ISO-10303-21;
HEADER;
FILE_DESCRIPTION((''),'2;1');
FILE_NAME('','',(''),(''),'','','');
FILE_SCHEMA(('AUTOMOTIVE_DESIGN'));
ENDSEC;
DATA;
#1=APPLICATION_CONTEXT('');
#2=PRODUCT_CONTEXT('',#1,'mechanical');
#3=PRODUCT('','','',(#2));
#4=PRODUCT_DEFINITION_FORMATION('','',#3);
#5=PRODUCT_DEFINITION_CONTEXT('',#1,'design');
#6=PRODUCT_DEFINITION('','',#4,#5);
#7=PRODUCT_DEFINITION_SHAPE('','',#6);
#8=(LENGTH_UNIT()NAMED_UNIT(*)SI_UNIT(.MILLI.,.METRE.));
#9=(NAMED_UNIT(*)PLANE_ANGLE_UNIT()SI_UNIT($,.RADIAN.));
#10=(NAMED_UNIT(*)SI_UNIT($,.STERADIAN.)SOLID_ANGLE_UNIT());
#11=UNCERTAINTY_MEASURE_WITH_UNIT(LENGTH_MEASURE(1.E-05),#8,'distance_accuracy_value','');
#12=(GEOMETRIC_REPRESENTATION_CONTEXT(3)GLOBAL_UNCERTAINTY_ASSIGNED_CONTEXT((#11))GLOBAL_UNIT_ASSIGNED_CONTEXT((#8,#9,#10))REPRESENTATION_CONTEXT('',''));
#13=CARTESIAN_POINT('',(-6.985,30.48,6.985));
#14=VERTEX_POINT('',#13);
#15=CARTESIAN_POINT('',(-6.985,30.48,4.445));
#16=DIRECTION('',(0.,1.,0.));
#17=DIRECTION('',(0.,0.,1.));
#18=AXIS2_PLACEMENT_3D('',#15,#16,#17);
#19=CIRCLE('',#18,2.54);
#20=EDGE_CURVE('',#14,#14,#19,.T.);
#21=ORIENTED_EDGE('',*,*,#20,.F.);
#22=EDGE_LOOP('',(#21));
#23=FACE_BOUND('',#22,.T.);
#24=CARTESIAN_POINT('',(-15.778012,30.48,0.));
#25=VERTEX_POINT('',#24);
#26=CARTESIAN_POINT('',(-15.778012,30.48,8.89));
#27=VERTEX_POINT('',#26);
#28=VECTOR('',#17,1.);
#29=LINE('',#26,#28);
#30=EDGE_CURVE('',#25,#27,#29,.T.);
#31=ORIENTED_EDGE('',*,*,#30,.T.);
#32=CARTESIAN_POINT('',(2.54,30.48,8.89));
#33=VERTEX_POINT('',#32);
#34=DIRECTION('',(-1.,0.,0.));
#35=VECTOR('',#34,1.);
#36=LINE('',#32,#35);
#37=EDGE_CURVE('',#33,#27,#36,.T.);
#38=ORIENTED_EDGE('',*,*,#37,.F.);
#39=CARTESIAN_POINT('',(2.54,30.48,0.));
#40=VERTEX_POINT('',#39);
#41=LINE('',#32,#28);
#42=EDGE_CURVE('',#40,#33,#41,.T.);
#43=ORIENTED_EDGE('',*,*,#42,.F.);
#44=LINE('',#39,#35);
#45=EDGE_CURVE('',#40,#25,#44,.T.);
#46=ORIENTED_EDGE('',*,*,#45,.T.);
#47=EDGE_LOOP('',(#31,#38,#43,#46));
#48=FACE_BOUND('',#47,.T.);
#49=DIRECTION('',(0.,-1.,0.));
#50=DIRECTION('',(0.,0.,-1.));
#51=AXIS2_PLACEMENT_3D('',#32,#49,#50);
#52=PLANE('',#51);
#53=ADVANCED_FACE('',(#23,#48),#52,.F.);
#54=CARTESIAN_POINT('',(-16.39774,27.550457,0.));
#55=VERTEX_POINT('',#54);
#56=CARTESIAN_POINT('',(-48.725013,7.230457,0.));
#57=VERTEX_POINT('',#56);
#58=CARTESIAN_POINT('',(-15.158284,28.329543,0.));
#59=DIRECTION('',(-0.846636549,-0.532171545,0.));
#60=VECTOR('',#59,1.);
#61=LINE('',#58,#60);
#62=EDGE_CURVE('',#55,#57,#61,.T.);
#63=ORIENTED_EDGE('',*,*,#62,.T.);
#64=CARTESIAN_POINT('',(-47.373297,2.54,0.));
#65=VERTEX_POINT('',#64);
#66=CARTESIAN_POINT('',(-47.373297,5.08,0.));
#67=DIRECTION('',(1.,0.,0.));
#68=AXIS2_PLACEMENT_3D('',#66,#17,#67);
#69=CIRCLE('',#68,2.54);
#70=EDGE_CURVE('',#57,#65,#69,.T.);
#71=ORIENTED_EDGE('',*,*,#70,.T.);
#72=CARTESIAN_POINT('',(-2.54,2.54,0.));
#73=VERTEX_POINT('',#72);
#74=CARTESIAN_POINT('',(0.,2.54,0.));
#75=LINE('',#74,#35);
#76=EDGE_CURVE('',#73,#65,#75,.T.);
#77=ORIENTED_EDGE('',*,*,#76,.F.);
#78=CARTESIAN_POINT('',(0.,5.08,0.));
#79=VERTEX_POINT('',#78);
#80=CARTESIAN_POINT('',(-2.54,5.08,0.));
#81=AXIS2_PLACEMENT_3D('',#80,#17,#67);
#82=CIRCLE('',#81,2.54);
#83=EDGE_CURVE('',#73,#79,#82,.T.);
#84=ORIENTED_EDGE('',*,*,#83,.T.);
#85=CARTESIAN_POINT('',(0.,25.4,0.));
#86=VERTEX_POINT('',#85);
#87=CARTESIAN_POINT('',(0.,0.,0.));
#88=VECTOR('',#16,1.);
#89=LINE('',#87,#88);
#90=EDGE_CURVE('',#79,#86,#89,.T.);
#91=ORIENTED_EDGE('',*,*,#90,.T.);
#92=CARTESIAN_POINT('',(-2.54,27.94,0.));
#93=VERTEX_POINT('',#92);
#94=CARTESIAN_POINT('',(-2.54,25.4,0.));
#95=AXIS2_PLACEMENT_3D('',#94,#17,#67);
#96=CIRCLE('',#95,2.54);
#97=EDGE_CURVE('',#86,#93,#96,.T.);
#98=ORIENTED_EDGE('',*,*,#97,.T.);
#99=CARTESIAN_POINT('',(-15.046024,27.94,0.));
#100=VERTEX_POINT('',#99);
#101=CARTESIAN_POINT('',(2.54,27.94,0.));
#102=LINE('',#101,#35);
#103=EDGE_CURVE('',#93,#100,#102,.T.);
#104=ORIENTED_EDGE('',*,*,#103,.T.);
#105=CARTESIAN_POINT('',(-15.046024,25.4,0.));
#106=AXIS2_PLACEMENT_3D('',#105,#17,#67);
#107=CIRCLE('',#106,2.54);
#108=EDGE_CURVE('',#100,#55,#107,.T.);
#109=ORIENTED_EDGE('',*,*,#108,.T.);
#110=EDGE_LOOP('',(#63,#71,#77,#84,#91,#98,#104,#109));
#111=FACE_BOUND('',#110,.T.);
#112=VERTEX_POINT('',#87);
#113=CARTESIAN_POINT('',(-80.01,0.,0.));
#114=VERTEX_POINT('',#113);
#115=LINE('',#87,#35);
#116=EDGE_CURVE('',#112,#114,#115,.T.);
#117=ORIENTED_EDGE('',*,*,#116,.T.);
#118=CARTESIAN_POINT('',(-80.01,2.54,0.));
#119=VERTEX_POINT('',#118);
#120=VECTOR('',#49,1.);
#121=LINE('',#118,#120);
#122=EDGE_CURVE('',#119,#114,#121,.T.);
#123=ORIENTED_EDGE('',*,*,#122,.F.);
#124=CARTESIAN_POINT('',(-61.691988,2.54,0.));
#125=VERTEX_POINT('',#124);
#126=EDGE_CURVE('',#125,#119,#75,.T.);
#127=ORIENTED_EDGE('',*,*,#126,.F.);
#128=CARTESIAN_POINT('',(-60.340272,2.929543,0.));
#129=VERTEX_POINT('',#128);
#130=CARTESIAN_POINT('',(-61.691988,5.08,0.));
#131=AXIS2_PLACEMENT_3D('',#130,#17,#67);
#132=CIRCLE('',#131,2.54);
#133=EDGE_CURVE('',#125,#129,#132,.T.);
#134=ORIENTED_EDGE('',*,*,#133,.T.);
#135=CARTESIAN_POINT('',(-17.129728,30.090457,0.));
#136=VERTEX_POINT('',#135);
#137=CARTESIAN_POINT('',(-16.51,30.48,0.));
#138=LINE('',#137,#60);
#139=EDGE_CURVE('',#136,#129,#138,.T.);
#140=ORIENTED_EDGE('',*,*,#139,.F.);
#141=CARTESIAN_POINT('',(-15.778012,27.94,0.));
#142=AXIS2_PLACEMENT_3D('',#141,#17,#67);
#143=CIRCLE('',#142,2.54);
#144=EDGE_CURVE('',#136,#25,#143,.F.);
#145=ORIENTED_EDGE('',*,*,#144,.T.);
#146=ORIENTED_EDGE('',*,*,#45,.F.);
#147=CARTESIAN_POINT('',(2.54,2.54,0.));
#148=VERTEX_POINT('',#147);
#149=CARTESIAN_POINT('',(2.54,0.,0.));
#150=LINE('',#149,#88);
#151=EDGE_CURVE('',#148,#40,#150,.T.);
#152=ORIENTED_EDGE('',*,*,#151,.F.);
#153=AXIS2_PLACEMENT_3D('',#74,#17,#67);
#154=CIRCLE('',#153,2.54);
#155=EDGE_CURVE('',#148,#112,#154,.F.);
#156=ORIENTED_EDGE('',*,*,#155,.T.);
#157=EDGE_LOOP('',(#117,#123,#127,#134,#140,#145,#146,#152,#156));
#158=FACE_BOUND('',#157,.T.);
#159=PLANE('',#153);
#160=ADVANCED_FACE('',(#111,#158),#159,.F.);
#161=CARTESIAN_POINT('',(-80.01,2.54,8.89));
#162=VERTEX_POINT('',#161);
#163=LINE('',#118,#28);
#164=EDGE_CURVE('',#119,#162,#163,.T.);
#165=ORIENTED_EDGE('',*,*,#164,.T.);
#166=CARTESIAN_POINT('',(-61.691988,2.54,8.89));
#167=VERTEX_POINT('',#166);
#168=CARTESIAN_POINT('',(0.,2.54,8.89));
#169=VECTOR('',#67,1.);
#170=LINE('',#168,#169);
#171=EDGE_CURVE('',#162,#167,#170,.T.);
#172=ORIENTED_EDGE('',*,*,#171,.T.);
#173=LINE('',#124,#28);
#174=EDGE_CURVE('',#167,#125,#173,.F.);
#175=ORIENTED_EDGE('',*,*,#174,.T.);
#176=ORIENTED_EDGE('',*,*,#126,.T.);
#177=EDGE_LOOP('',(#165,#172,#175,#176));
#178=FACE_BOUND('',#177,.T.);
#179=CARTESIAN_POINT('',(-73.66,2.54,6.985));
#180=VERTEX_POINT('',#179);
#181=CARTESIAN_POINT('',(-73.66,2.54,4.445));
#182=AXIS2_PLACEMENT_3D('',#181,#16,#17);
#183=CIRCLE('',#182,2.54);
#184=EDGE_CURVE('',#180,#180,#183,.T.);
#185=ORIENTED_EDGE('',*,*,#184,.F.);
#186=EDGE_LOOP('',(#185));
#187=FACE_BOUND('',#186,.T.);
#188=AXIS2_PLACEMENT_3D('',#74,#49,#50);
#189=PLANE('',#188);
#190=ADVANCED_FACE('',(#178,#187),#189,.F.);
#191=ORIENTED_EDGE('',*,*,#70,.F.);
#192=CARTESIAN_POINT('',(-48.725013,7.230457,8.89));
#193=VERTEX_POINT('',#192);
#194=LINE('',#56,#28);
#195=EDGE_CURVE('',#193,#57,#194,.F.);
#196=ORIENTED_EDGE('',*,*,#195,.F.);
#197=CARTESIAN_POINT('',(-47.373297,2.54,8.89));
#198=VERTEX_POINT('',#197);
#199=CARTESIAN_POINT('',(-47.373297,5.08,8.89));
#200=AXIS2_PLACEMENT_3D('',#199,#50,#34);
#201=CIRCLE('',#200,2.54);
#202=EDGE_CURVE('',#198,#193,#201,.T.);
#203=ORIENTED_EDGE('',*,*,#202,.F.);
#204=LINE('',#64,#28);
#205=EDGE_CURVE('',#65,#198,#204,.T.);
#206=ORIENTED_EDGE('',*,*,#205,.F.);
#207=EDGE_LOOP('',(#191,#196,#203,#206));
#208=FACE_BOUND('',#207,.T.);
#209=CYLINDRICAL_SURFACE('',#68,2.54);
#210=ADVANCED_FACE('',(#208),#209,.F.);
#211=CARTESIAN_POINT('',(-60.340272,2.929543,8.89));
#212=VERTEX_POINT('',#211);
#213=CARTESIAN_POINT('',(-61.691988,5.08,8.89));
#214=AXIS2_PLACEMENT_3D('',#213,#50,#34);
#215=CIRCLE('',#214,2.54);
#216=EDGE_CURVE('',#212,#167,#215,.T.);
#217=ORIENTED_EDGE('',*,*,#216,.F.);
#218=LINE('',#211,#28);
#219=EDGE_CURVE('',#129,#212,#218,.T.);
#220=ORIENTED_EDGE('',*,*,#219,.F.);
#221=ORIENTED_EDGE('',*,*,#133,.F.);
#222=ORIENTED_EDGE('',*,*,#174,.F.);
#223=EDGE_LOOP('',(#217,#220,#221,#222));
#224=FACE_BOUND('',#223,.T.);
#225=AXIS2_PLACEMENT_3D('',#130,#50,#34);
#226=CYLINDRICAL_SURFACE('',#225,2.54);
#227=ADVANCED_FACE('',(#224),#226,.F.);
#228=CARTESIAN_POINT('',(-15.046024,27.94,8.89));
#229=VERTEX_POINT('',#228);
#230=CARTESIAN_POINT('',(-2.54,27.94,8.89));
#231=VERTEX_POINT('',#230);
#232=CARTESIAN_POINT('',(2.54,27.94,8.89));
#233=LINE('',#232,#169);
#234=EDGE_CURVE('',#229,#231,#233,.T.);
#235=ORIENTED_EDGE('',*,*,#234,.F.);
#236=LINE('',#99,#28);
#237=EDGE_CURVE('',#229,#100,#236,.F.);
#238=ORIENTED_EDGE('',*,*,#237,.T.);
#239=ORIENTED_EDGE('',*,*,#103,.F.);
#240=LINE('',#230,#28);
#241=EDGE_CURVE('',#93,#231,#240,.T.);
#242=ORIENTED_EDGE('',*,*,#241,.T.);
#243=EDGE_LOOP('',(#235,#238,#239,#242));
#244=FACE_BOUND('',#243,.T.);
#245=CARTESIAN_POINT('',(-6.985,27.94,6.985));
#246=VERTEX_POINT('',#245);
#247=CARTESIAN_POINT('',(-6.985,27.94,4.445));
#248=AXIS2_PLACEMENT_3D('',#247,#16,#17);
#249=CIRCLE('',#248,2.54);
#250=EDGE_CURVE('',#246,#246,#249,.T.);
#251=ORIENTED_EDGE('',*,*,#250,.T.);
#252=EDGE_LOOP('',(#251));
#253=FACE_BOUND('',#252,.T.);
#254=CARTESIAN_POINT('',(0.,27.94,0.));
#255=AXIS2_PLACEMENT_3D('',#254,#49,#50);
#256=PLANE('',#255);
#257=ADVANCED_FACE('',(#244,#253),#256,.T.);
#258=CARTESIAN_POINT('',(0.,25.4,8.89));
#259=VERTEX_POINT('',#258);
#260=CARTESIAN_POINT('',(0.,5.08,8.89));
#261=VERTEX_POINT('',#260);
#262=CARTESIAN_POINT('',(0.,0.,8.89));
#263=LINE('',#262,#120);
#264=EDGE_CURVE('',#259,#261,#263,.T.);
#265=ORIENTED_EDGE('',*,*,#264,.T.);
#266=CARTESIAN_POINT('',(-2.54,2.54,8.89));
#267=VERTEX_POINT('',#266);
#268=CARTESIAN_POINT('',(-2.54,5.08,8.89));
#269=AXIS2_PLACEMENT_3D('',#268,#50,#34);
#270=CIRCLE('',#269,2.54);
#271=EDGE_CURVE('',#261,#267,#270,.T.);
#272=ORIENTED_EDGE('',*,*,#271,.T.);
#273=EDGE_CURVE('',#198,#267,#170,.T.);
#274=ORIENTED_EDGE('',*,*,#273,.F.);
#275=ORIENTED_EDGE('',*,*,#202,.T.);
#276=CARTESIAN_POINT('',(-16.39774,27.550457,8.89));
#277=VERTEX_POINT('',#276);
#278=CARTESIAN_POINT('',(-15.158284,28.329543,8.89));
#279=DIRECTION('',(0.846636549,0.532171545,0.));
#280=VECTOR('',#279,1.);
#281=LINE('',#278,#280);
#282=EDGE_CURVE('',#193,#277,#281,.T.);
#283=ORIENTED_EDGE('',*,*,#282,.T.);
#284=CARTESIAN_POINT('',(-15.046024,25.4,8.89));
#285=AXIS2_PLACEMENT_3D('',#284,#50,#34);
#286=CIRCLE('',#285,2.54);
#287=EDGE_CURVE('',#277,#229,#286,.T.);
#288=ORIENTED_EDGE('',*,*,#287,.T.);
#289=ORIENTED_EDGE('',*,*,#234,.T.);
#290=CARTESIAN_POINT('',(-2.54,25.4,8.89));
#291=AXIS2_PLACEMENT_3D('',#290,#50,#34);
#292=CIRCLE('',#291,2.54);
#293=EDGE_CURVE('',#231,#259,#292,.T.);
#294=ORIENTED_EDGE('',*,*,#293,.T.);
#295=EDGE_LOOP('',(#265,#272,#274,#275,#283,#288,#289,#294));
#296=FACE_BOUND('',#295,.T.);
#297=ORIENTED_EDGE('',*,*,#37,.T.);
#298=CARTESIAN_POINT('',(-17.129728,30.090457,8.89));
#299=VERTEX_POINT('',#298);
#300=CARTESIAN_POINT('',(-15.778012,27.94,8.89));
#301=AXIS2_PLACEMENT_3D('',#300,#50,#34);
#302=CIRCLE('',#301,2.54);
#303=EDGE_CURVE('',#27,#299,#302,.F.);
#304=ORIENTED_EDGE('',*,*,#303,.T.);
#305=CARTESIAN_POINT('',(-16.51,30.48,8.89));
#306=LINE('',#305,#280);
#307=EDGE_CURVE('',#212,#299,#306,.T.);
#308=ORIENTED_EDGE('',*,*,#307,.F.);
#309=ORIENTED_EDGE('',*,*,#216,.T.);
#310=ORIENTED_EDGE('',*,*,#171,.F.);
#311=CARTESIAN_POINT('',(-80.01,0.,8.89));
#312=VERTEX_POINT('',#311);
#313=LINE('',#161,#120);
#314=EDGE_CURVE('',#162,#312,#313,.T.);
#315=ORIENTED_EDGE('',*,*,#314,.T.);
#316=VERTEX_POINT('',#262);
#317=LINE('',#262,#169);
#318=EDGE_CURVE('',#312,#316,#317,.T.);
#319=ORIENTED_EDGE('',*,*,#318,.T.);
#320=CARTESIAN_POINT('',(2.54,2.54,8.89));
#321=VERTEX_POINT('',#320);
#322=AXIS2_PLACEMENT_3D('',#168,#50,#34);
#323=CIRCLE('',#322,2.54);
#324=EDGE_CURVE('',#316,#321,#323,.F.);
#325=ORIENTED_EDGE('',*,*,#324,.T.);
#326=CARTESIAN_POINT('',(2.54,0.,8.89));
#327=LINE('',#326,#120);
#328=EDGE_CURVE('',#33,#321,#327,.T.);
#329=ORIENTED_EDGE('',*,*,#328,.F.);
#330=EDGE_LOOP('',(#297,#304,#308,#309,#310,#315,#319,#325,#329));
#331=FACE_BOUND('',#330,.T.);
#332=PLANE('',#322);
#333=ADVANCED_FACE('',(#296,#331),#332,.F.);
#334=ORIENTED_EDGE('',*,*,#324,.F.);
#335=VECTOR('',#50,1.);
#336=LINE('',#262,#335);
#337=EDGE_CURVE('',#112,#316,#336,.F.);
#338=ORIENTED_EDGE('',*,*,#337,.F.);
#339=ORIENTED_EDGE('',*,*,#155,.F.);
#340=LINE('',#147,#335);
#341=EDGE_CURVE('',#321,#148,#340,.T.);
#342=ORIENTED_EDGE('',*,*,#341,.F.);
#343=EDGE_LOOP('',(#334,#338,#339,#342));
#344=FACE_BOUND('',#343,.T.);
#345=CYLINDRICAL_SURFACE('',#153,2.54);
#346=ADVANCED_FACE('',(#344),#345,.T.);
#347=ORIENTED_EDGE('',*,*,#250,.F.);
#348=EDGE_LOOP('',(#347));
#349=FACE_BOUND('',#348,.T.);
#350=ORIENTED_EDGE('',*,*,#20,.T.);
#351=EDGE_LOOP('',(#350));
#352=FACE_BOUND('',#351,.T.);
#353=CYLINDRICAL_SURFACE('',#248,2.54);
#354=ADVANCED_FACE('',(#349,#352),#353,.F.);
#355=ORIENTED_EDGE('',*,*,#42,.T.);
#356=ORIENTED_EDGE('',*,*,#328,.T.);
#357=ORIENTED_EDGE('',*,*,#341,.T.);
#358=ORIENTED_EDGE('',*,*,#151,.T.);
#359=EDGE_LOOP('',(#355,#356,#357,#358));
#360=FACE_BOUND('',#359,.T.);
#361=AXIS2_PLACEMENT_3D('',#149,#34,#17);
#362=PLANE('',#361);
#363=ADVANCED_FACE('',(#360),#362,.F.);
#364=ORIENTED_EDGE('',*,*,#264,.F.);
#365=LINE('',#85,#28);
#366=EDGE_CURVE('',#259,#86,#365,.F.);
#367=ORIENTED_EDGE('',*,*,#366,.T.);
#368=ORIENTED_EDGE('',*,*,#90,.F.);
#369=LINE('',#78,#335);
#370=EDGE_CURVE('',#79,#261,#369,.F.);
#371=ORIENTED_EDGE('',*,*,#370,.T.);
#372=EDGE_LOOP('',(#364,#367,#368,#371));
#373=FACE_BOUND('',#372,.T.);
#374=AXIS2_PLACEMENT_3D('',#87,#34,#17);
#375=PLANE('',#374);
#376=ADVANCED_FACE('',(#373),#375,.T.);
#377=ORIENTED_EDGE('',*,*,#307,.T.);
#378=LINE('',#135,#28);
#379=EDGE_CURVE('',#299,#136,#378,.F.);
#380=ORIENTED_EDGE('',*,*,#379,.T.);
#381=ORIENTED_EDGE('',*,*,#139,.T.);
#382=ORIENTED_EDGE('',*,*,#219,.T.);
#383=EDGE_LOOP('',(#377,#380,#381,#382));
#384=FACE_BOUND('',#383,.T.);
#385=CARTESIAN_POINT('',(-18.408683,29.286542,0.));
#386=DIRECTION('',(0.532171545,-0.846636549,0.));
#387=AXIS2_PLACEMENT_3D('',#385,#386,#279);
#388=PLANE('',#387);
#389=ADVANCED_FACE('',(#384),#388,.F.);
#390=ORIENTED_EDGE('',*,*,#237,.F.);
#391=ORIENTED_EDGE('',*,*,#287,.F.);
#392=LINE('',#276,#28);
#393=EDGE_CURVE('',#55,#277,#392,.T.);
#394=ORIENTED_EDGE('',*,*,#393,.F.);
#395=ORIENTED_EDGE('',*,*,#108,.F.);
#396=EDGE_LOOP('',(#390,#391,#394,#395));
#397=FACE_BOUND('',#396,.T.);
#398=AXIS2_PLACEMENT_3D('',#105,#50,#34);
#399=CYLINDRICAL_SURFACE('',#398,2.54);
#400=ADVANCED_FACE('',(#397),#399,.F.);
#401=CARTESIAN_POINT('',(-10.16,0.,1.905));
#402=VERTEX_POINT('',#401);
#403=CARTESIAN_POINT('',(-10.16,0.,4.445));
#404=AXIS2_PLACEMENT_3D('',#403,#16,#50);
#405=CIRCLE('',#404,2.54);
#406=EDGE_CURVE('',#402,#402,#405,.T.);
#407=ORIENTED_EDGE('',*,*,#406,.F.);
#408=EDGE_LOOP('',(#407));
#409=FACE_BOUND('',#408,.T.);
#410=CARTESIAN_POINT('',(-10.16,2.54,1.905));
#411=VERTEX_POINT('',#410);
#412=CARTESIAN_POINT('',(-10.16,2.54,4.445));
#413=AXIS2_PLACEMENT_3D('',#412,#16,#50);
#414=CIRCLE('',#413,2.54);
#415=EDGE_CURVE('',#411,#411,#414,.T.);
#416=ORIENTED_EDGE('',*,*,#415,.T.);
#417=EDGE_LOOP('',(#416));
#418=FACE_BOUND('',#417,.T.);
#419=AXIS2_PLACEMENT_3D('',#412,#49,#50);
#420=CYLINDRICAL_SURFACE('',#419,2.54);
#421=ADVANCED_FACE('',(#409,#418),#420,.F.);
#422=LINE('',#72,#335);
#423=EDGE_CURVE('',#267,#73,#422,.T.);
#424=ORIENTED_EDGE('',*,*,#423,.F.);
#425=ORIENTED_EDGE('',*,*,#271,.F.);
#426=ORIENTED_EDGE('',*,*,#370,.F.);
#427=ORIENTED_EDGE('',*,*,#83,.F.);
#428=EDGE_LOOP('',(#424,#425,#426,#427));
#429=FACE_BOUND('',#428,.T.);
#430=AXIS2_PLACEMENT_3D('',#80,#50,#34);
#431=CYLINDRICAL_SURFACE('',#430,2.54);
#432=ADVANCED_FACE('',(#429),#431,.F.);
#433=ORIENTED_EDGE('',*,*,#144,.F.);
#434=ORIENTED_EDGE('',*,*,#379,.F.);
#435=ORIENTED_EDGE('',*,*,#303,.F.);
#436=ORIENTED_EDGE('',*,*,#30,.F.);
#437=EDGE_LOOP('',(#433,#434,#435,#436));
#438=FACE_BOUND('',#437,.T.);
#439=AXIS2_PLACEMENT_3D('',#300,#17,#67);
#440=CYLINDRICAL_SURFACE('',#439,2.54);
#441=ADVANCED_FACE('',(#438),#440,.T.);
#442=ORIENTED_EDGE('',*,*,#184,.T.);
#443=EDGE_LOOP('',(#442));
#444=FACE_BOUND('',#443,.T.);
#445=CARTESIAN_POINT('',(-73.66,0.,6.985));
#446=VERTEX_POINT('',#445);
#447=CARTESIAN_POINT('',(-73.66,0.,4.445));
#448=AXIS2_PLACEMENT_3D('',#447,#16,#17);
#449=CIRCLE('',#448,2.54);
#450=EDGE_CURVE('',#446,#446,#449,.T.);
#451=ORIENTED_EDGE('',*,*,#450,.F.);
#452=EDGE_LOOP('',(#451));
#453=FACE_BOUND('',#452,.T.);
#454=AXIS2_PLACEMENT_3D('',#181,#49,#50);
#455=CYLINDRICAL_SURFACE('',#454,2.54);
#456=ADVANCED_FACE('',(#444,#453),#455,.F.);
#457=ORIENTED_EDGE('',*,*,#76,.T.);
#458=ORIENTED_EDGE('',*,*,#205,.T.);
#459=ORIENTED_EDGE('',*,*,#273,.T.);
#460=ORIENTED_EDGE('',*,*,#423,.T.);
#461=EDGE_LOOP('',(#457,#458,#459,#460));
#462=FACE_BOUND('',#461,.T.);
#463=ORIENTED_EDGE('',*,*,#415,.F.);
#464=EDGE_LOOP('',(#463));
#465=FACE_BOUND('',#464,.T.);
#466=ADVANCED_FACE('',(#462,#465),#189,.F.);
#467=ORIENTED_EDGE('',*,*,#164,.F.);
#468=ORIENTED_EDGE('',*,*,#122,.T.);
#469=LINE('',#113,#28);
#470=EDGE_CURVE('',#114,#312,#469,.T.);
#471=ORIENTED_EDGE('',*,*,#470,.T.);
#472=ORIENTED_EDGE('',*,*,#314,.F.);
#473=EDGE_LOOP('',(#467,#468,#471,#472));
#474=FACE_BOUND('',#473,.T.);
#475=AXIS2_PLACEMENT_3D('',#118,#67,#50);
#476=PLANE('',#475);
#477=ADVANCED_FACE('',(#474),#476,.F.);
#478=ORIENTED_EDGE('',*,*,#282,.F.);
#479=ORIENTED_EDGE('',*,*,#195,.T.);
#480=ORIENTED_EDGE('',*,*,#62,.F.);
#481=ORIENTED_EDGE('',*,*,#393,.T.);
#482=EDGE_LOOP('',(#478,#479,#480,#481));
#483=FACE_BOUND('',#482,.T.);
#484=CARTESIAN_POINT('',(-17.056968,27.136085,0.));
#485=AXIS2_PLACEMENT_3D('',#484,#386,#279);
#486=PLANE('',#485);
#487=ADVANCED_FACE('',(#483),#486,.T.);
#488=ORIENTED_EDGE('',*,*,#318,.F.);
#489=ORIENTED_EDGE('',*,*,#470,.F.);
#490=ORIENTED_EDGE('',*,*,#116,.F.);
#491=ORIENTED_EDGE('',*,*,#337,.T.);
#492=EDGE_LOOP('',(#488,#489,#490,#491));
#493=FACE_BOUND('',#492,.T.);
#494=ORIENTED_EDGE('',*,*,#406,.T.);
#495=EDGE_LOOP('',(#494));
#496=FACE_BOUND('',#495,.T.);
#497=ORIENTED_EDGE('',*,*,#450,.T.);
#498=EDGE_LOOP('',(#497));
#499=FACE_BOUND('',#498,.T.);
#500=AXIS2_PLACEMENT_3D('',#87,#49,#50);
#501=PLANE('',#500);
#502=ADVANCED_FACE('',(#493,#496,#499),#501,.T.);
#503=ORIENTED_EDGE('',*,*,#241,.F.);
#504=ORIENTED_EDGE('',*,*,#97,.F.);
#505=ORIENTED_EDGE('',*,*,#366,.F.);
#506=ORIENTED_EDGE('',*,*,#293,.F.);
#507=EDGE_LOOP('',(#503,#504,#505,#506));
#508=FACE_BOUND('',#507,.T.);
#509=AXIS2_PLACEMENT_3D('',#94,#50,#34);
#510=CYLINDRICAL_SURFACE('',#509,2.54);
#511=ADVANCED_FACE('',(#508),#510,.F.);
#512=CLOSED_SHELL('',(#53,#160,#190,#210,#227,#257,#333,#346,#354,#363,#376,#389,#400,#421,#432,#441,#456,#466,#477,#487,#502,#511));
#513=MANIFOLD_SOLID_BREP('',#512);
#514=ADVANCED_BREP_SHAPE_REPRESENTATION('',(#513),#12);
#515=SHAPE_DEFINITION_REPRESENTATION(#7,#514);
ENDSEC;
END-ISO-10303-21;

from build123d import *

# Parameters (mm, degrees)
SKETCH1_W           = 80.01
SKETCH1_H           = 8.89
SKETCH1_R           = 2.54
BOSS_EXTRUDE1_DEPTH = 2.54
SKETCH2_W           = 8.89
SKETCH2_H           = 30.48
BOSS_EXTRUDE2_DEPTH = 2.54
SKETCH3_W           = 19.05
SKETCH3_H           = 8.89
SKETCH3_R           = 2.54
BOSS_EXTRUDE3_DEPTH = 2.54
SKETCH6_W           = 52.501867586
SKETCH6_H           = 8.89
BOSS_EXTRUDE4_DEPTH = 2.54
FILLET1_R           = 2.54


with BuildPart() as part:
    # Sketch1 → Boss-Extrude1 (new body)
    with BuildSketch(Plane(origin=(0, 0, 0), x_dir=(1, 0, 0), z_dir=(0, 1, 0))):
        with Locations((-40.005, -4.445)):
            Rectangle(SKETCH1_W, SKETCH1_H)
        with Locations((-73.66, -4.445)):
            Circle(SKETCH1_R, mode=Mode.SUBTRACT)
        with Locations((-10.16, -4.445)):
            Circle(SKETCH1_R, mode=Mode.SUBTRACT)
    extrude(amount=BOSS_EXTRUDE1_DEPTH)

    # Sketch2 → Boss-Extrude2 (add)
    with BuildSketch(Plane(origin=(0, 0, 0), x_dir=(0, 0, -1), z_dir=(1, 0, 0))):
        with Locations((-4.445, 15.24)):
            Rectangle(SKETCH2_W, SKETCH2_H)
    extrude(amount=BOSS_EXTRUDE2_DEPTH)

    # Sketch3 → Boss-Extrude3 (add)
    with BuildSketch(Plane(origin=(0, 30.48, 0), x_dir=(1, 0, 0), z_dir=(0, 1, 0))):
        with Locations((-6.985, -4.445)):
            Rectangle(SKETCH3_W, SKETCH3_H)
        with Locations((-6.985, -4.445)):
            Circle(SKETCH3_R, mode=Mode.SUBTRACT)
    extrude(amount=-BOSS_EXTRUDE3_DEPTH)

    # Sketch6 → Boss-Extrude4 (add)
    with BuildSketch(Plane(origin=(-18.408683441, 29.286541837, 0), x_dir=(0.846636549, 0.532171545, 0), z_dir=(-0.532171545, 0.846636549, 0))):
        with Locations((-24.008314522, -4.445)):
            Rectangle(SKETCH6_W, SKETCH6_H)
    extrude(amount=-BOSS_EXTRUDE4_DEPTH)

    # Fillet1
    fillet1_edges = [part.edges().sort_by_distance(p)[0] for p in [
        (2.54, 0, 4.445),
        (0, 2.54, 4.445),
        (0, 27.94, 4.445),
        (-16.51, 30.48, 4.445),
        (-15.778012038, 27.94, 4.445),
        (-56.187102947, 2.54, 4.445),
        (-60.96, 2.54, 4.445),
    ]]
    fillet(fillet1_edges, radius=FILLET1_R)


solid = part.part
